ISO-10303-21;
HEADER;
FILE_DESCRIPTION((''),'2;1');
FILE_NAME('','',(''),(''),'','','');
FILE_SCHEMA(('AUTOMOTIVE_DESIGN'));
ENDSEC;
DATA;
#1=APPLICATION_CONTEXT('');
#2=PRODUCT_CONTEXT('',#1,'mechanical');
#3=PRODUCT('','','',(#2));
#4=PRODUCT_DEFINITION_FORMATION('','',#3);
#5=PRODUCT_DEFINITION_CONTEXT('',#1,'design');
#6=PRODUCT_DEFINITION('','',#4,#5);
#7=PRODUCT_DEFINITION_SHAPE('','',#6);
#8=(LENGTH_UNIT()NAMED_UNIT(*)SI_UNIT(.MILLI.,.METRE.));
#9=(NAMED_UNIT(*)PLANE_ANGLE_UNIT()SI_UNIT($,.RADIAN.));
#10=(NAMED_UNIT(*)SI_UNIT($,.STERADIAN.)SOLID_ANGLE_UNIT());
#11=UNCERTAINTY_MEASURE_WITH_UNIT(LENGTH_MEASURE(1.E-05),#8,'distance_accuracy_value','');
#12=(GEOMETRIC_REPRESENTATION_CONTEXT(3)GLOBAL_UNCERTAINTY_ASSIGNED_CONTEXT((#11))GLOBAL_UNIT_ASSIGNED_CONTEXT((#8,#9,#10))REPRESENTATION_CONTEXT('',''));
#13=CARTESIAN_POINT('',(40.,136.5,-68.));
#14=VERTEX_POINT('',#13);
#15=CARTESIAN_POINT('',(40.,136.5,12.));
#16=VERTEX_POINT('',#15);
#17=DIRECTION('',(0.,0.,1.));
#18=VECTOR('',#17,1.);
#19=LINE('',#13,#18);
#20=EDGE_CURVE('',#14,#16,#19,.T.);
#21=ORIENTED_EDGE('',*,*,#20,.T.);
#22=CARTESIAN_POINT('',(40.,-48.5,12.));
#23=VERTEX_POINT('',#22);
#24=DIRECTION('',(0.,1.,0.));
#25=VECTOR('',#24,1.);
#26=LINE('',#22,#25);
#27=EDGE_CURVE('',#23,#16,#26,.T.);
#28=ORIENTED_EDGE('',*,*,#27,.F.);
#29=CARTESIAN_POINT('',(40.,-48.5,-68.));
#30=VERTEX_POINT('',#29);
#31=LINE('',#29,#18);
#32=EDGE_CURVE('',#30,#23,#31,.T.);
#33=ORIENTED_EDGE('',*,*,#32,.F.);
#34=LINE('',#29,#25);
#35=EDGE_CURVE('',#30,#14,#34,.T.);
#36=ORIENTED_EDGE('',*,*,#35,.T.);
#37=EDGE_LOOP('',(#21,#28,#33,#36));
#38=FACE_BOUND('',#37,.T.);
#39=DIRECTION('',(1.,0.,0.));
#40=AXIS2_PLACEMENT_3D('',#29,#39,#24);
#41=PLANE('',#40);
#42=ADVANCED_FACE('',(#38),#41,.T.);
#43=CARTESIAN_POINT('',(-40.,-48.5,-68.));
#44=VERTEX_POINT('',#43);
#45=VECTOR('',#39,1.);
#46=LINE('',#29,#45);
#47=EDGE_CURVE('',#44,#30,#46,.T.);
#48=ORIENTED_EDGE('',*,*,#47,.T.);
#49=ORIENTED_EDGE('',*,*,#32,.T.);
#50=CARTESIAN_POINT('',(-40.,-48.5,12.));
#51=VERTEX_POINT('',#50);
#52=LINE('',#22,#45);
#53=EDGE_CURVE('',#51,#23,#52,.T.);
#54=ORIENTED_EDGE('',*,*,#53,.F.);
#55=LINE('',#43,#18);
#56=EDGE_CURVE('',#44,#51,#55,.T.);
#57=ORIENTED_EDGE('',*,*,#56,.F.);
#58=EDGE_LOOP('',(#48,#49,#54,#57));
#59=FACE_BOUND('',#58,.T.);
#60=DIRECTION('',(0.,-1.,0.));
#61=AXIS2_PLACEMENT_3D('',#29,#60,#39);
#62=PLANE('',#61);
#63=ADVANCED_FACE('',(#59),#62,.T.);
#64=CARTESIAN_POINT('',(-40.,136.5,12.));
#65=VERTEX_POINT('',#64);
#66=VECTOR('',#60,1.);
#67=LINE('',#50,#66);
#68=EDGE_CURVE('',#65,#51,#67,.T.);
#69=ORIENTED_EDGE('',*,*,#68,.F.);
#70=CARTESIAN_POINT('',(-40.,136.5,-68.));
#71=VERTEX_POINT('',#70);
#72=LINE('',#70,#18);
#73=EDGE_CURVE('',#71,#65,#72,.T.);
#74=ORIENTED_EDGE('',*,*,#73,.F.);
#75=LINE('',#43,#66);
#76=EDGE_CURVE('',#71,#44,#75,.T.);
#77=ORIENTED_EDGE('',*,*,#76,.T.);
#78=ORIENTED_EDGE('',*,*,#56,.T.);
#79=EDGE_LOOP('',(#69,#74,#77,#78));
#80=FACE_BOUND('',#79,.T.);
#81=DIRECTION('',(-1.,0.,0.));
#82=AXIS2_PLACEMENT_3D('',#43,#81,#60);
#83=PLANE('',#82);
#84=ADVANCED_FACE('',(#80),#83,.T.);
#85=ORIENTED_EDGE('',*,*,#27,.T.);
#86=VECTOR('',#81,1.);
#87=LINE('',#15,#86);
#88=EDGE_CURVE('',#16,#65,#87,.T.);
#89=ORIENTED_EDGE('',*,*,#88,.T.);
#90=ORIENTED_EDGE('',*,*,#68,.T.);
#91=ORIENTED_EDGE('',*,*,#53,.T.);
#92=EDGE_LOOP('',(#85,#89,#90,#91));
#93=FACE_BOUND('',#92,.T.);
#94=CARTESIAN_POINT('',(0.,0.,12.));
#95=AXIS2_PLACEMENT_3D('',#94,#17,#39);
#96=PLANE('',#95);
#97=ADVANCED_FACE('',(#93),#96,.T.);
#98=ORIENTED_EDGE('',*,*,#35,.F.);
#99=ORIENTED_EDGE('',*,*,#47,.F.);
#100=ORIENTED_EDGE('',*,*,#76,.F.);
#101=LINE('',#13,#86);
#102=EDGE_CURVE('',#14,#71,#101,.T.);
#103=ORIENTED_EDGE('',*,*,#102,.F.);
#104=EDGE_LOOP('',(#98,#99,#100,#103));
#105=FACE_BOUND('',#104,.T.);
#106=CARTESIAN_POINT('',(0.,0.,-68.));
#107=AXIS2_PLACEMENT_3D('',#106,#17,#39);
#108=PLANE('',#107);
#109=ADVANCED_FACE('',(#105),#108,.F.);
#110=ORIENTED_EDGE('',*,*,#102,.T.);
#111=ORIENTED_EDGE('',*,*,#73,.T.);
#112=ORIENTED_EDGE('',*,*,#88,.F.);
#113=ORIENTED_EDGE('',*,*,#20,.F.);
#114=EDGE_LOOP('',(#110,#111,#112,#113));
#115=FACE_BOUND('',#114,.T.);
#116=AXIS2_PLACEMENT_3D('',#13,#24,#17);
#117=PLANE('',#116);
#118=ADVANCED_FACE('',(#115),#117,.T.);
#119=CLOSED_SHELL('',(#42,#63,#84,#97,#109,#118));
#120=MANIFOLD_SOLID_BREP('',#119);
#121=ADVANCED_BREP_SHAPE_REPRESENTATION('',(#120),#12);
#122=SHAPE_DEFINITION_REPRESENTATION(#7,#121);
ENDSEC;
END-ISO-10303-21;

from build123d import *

# Parameters (mm, degrees)
SKETCH1_W           = 80
SKETCH1_H           = 185
BOSS_EXTRUDE1_DEPTH = 80


with BuildPart() as part:
    # Sketch1 → Boss-Extrude1 (new body)
    with BuildSketch(Plane.XY.offset(12)):
        with Locations((0, 44)):
            Rectangle(SKETCH1_W, SKETCH1_H)
    extrude(amount=-BOSS_EXTRUDE1_DEPTH)


solid = part.part
